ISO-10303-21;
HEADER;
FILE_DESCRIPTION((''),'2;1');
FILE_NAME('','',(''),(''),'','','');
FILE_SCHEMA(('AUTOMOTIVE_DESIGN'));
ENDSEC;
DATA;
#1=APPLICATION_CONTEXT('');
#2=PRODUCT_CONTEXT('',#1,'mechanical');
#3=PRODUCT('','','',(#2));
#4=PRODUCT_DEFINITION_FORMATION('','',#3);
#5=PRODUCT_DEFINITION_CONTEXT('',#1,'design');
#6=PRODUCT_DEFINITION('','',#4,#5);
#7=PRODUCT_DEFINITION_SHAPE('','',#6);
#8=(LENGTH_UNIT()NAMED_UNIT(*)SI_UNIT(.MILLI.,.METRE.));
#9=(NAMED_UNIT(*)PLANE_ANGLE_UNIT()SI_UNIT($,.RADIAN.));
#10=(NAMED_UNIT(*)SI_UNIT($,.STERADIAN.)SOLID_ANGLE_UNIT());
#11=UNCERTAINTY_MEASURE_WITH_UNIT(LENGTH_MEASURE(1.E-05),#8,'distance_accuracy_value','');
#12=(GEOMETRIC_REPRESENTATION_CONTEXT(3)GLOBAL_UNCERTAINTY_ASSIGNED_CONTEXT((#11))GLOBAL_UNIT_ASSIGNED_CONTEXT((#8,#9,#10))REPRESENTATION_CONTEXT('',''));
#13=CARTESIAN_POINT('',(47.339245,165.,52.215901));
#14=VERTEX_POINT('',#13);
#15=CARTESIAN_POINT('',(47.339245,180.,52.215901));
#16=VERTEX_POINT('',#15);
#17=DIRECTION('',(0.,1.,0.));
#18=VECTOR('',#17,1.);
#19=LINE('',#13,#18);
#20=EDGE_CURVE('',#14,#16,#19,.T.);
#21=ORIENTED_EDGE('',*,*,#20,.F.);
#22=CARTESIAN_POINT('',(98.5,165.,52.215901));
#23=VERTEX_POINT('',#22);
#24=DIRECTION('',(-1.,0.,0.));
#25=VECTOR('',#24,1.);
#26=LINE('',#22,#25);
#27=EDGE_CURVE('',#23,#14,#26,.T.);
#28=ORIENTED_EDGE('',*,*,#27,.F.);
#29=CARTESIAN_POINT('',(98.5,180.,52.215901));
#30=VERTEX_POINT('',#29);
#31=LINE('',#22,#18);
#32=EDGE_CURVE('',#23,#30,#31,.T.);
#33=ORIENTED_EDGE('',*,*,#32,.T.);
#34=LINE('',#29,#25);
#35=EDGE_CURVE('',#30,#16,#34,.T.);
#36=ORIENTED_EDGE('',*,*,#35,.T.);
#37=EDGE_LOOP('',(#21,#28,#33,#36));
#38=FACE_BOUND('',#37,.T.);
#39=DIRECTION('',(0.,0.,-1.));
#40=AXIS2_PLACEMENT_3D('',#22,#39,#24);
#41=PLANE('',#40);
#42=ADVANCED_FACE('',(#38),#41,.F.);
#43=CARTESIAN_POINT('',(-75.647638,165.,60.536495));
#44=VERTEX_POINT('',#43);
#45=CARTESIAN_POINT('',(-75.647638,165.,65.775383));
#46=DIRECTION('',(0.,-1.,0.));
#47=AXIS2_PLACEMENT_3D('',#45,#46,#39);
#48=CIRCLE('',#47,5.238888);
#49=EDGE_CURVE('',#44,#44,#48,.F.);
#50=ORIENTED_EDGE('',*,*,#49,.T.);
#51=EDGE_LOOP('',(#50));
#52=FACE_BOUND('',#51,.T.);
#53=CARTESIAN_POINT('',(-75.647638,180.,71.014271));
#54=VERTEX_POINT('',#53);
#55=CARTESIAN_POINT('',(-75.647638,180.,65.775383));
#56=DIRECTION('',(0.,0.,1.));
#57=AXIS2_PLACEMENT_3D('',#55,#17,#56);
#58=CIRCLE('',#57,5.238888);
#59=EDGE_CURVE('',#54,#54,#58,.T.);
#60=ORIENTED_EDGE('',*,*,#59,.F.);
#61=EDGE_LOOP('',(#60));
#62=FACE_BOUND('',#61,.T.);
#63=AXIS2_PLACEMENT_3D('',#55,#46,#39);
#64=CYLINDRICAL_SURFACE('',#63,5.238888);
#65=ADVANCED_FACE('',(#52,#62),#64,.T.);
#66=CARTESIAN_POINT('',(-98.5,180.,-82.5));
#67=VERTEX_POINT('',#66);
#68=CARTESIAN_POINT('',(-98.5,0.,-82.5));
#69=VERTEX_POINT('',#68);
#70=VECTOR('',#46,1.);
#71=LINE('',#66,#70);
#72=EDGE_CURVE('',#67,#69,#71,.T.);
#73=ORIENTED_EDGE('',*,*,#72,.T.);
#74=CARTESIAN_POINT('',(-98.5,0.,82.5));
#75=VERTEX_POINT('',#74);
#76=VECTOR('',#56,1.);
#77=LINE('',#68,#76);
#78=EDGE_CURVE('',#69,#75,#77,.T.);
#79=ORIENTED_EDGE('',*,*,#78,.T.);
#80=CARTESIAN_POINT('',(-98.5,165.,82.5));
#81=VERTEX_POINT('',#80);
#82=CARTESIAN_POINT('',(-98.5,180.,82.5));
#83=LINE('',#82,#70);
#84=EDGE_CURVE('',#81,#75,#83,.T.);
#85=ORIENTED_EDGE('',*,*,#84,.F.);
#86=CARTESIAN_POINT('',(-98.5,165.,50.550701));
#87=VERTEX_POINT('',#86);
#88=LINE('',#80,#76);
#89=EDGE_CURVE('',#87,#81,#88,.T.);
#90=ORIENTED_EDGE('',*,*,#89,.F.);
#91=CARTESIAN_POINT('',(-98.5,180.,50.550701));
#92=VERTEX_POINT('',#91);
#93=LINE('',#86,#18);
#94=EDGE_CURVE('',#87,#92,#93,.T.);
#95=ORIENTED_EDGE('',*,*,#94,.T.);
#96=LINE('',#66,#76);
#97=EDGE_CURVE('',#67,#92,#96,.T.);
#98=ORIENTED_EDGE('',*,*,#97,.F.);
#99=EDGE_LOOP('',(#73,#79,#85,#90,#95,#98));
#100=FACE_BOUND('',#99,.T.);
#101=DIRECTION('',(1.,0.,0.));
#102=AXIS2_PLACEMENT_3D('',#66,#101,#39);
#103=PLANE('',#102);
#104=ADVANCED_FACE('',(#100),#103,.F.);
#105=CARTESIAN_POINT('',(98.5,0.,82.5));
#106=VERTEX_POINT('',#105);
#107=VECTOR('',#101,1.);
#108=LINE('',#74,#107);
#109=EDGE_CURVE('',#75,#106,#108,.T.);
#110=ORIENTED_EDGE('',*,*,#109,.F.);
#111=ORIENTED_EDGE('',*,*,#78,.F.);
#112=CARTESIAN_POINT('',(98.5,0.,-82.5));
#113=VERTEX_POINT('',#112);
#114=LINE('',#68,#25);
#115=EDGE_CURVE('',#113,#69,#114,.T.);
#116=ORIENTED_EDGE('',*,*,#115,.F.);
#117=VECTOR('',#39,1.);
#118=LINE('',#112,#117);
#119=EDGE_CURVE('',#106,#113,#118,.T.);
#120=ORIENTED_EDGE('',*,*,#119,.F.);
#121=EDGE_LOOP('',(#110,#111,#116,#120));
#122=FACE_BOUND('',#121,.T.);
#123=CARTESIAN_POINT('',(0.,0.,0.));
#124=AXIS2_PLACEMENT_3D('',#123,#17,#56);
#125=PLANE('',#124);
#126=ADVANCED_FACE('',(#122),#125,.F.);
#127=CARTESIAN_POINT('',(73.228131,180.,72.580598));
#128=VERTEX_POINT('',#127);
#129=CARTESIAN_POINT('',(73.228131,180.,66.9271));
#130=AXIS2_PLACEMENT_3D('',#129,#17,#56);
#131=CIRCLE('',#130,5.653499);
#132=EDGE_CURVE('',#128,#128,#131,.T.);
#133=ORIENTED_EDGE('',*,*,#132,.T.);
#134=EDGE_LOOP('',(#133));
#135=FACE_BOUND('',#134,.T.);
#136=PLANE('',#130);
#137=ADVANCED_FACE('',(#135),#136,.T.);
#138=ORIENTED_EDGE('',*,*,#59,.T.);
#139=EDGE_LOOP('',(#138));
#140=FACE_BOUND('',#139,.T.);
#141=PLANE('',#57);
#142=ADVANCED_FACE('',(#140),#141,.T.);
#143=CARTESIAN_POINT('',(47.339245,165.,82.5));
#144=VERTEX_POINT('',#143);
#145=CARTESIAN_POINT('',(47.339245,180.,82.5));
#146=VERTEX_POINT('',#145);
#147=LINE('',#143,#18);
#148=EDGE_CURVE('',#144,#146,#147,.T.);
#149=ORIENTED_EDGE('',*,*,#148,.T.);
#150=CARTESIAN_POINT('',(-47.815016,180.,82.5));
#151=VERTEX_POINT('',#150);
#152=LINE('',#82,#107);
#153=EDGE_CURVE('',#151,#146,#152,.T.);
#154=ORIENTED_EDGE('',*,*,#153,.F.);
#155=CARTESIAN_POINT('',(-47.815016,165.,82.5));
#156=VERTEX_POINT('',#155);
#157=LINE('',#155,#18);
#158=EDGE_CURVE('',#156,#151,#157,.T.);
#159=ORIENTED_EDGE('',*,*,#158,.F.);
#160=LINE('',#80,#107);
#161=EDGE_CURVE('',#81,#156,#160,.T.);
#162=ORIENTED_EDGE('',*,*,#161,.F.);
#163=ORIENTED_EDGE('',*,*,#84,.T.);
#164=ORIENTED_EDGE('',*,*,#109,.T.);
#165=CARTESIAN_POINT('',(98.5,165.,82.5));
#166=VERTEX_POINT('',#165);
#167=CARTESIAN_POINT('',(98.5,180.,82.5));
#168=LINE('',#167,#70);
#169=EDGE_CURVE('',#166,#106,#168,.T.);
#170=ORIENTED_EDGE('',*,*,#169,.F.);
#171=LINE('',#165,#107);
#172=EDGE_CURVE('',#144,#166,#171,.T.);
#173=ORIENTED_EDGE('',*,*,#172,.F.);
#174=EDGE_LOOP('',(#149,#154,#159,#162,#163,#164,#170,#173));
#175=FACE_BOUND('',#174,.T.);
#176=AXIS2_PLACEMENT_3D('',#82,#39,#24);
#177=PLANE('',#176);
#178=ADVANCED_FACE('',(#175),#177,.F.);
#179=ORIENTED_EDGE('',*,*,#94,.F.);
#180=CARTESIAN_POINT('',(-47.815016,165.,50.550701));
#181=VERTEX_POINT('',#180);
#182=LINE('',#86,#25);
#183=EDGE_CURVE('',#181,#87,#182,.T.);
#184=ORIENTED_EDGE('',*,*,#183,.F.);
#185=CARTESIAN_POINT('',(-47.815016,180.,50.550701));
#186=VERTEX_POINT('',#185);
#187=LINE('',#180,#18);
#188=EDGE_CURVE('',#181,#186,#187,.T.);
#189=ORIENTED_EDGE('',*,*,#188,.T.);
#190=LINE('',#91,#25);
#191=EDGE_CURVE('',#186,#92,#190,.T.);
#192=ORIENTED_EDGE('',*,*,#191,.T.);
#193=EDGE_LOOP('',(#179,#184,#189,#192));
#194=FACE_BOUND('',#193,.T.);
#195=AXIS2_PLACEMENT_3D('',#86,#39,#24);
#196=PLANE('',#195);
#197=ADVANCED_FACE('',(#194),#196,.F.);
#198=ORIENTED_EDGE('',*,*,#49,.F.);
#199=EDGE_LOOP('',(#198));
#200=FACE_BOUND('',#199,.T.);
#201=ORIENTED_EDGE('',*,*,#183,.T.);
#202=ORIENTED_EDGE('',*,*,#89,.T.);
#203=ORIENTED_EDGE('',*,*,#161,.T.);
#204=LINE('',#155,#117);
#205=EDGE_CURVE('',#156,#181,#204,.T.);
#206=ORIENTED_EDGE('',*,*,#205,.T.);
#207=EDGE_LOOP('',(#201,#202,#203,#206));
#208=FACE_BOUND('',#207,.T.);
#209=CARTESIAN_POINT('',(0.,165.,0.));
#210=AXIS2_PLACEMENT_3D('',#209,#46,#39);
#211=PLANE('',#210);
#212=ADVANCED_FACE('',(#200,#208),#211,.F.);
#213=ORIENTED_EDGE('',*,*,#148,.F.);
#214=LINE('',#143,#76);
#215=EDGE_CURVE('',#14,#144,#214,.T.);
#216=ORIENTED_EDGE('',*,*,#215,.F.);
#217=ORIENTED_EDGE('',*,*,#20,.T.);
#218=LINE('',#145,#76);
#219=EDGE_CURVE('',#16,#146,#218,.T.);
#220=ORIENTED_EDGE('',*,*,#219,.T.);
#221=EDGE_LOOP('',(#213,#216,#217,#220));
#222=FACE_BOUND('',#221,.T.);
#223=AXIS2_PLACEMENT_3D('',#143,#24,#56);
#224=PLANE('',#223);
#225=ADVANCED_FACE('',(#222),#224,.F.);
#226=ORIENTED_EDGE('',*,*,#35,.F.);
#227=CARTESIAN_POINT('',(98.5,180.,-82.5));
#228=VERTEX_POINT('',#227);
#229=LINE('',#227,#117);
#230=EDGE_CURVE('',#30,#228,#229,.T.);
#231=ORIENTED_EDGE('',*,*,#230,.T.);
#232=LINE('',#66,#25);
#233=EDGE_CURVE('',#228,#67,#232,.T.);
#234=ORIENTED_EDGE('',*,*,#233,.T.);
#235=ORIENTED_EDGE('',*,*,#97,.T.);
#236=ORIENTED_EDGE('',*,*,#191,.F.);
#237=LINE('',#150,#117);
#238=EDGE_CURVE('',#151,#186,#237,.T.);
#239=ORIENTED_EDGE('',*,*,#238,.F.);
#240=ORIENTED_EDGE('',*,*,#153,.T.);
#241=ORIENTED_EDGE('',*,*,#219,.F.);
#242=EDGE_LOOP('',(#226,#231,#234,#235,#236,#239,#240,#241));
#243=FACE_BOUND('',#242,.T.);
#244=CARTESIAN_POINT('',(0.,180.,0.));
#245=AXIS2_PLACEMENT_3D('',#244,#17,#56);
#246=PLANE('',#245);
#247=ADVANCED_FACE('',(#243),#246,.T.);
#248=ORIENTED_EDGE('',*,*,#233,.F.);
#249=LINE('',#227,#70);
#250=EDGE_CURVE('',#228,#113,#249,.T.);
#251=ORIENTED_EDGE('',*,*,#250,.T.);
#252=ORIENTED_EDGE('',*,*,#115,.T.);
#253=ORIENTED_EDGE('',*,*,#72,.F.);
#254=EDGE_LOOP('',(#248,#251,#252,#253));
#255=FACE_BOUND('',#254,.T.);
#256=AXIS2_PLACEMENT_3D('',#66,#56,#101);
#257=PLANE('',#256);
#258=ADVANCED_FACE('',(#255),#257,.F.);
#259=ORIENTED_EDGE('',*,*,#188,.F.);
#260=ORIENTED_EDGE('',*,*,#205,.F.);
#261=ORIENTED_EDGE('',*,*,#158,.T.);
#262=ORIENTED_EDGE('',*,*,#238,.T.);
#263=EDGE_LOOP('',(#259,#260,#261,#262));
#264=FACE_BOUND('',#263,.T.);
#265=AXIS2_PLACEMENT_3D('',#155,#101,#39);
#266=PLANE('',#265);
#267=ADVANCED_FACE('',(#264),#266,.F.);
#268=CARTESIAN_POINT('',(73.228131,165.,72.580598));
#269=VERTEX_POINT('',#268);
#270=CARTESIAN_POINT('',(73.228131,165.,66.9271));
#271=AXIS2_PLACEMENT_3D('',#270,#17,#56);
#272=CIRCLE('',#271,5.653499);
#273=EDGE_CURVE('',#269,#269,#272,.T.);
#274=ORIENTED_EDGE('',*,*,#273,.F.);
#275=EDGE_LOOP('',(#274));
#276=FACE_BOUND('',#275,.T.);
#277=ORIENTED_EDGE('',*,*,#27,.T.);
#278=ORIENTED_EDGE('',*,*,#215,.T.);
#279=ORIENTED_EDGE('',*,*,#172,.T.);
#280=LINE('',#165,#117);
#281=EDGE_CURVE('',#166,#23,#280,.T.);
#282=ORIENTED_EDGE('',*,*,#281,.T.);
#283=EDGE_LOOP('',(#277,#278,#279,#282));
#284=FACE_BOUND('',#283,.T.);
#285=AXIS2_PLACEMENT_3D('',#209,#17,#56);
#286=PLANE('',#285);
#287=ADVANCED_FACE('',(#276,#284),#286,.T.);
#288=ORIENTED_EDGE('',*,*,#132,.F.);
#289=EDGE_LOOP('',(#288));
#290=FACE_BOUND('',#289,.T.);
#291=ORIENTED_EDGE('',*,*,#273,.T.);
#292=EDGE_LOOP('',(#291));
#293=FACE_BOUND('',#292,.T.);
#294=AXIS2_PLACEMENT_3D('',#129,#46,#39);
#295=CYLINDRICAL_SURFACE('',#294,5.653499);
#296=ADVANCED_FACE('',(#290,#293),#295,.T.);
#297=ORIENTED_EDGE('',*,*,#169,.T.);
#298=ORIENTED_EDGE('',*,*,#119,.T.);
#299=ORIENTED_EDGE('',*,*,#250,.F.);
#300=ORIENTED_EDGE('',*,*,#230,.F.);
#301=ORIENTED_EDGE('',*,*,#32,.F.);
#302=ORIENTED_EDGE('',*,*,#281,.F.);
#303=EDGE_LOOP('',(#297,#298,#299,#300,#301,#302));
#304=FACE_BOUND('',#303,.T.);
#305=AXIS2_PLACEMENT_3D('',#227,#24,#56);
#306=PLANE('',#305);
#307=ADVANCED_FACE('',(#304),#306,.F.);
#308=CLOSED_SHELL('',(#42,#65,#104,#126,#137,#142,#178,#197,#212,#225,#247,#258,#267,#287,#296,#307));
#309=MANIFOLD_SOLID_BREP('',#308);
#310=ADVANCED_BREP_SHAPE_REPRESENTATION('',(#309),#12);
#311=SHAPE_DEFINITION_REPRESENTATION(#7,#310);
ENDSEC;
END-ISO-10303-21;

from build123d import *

# Parameters (mm, degrees)
SKETCH_2_W          = 197
SKETCH_2_H          = 165
EXTRUDE_1_DEPTH     = 180
SKETCH_3_W          = 50.684983536
SKETCH_3_H          = 31.949298514
CUT_EXTRUDE_2_DEPTH = 15
SKETCH_4_W          = 51.160754844
SKETCH_4_H          = 30.284098936
CUT_EXTRUDE_3_DEPTH = 15
SKETCH_5_R          = 5.238888092
EXTRUDE_2_DEPTH     = 15
SKETCH_6_R          = 5.653498574
EXTRUDE_3_DEPTH     = 15


with BuildPart() as part:
    # 草图2 → 凸台-拉伸1 (new body)
    with BuildSketch(Plane(origin=(0, 0, 0), x_dir=(1, 0, 0), z_dir=(0, 1, 0))):
        Rectangle(SKETCH_2_W, SKETCH_2_H)
    extrude(amount=EXTRUDE_1_DEPTH)

    # 草图3 → 切除-拉伸2 (cut)
    with BuildSketch(Plane(origin=(0, 180, 0), x_dir=(1, 0, 0), z_dir=(0, 1, 0))):
        with Locations((-73.157508232, -66.525350743)):
            Rectangle(SKETCH_3_W, SKETCH_3_H)
    extrude(amount=-CUT_EXTRUDE_2_DEPTH, mode=Mode.SUBTRACT)

    # 草图4 → 切除-拉伸3 (cut)
    with BuildSketch(Plane(origin=(0, 180, 0), x_dir=(1, 0, 0), z_dir=(0, 1, 0))):
        with Locations((72.919622578, -67.357950532)):
            Rectangle(SKETCH_4_W, SKETCH_4_H)
    extrude(amount=-CUT_EXTRUDE_3_DEPTH, mode=Mode.SUBTRACT)

    # 草图5 → 凸台-拉伸2 (add)
    with BuildSketch(Plane(origin=(0, 165, 0), x_dir=(1, 0, 0), z_dir=(0, 1, 0))):
        with Locations(Location((-75.647637988, -65.775383345, 0), (0, 0, 90))):
            Circle(SKETCH_5_R)
    extrude(amount=EXTRUDE_2_DEPTH)

    # 草图6 → 凸台-拉伸3 (add)
    with BuildSketch(Plane(origin=(0, 165, 0), x_dir=(1, 0, 0), z_dir=(0, 1, 0))):
        with Locations(Location((73.228131145, -66.927099699, 0), (0, 0, 270))):
            Circle(SKETCH_6_R)
    extrude(amount=EXTRUDE_3_DEPTH)


solid = part.part
